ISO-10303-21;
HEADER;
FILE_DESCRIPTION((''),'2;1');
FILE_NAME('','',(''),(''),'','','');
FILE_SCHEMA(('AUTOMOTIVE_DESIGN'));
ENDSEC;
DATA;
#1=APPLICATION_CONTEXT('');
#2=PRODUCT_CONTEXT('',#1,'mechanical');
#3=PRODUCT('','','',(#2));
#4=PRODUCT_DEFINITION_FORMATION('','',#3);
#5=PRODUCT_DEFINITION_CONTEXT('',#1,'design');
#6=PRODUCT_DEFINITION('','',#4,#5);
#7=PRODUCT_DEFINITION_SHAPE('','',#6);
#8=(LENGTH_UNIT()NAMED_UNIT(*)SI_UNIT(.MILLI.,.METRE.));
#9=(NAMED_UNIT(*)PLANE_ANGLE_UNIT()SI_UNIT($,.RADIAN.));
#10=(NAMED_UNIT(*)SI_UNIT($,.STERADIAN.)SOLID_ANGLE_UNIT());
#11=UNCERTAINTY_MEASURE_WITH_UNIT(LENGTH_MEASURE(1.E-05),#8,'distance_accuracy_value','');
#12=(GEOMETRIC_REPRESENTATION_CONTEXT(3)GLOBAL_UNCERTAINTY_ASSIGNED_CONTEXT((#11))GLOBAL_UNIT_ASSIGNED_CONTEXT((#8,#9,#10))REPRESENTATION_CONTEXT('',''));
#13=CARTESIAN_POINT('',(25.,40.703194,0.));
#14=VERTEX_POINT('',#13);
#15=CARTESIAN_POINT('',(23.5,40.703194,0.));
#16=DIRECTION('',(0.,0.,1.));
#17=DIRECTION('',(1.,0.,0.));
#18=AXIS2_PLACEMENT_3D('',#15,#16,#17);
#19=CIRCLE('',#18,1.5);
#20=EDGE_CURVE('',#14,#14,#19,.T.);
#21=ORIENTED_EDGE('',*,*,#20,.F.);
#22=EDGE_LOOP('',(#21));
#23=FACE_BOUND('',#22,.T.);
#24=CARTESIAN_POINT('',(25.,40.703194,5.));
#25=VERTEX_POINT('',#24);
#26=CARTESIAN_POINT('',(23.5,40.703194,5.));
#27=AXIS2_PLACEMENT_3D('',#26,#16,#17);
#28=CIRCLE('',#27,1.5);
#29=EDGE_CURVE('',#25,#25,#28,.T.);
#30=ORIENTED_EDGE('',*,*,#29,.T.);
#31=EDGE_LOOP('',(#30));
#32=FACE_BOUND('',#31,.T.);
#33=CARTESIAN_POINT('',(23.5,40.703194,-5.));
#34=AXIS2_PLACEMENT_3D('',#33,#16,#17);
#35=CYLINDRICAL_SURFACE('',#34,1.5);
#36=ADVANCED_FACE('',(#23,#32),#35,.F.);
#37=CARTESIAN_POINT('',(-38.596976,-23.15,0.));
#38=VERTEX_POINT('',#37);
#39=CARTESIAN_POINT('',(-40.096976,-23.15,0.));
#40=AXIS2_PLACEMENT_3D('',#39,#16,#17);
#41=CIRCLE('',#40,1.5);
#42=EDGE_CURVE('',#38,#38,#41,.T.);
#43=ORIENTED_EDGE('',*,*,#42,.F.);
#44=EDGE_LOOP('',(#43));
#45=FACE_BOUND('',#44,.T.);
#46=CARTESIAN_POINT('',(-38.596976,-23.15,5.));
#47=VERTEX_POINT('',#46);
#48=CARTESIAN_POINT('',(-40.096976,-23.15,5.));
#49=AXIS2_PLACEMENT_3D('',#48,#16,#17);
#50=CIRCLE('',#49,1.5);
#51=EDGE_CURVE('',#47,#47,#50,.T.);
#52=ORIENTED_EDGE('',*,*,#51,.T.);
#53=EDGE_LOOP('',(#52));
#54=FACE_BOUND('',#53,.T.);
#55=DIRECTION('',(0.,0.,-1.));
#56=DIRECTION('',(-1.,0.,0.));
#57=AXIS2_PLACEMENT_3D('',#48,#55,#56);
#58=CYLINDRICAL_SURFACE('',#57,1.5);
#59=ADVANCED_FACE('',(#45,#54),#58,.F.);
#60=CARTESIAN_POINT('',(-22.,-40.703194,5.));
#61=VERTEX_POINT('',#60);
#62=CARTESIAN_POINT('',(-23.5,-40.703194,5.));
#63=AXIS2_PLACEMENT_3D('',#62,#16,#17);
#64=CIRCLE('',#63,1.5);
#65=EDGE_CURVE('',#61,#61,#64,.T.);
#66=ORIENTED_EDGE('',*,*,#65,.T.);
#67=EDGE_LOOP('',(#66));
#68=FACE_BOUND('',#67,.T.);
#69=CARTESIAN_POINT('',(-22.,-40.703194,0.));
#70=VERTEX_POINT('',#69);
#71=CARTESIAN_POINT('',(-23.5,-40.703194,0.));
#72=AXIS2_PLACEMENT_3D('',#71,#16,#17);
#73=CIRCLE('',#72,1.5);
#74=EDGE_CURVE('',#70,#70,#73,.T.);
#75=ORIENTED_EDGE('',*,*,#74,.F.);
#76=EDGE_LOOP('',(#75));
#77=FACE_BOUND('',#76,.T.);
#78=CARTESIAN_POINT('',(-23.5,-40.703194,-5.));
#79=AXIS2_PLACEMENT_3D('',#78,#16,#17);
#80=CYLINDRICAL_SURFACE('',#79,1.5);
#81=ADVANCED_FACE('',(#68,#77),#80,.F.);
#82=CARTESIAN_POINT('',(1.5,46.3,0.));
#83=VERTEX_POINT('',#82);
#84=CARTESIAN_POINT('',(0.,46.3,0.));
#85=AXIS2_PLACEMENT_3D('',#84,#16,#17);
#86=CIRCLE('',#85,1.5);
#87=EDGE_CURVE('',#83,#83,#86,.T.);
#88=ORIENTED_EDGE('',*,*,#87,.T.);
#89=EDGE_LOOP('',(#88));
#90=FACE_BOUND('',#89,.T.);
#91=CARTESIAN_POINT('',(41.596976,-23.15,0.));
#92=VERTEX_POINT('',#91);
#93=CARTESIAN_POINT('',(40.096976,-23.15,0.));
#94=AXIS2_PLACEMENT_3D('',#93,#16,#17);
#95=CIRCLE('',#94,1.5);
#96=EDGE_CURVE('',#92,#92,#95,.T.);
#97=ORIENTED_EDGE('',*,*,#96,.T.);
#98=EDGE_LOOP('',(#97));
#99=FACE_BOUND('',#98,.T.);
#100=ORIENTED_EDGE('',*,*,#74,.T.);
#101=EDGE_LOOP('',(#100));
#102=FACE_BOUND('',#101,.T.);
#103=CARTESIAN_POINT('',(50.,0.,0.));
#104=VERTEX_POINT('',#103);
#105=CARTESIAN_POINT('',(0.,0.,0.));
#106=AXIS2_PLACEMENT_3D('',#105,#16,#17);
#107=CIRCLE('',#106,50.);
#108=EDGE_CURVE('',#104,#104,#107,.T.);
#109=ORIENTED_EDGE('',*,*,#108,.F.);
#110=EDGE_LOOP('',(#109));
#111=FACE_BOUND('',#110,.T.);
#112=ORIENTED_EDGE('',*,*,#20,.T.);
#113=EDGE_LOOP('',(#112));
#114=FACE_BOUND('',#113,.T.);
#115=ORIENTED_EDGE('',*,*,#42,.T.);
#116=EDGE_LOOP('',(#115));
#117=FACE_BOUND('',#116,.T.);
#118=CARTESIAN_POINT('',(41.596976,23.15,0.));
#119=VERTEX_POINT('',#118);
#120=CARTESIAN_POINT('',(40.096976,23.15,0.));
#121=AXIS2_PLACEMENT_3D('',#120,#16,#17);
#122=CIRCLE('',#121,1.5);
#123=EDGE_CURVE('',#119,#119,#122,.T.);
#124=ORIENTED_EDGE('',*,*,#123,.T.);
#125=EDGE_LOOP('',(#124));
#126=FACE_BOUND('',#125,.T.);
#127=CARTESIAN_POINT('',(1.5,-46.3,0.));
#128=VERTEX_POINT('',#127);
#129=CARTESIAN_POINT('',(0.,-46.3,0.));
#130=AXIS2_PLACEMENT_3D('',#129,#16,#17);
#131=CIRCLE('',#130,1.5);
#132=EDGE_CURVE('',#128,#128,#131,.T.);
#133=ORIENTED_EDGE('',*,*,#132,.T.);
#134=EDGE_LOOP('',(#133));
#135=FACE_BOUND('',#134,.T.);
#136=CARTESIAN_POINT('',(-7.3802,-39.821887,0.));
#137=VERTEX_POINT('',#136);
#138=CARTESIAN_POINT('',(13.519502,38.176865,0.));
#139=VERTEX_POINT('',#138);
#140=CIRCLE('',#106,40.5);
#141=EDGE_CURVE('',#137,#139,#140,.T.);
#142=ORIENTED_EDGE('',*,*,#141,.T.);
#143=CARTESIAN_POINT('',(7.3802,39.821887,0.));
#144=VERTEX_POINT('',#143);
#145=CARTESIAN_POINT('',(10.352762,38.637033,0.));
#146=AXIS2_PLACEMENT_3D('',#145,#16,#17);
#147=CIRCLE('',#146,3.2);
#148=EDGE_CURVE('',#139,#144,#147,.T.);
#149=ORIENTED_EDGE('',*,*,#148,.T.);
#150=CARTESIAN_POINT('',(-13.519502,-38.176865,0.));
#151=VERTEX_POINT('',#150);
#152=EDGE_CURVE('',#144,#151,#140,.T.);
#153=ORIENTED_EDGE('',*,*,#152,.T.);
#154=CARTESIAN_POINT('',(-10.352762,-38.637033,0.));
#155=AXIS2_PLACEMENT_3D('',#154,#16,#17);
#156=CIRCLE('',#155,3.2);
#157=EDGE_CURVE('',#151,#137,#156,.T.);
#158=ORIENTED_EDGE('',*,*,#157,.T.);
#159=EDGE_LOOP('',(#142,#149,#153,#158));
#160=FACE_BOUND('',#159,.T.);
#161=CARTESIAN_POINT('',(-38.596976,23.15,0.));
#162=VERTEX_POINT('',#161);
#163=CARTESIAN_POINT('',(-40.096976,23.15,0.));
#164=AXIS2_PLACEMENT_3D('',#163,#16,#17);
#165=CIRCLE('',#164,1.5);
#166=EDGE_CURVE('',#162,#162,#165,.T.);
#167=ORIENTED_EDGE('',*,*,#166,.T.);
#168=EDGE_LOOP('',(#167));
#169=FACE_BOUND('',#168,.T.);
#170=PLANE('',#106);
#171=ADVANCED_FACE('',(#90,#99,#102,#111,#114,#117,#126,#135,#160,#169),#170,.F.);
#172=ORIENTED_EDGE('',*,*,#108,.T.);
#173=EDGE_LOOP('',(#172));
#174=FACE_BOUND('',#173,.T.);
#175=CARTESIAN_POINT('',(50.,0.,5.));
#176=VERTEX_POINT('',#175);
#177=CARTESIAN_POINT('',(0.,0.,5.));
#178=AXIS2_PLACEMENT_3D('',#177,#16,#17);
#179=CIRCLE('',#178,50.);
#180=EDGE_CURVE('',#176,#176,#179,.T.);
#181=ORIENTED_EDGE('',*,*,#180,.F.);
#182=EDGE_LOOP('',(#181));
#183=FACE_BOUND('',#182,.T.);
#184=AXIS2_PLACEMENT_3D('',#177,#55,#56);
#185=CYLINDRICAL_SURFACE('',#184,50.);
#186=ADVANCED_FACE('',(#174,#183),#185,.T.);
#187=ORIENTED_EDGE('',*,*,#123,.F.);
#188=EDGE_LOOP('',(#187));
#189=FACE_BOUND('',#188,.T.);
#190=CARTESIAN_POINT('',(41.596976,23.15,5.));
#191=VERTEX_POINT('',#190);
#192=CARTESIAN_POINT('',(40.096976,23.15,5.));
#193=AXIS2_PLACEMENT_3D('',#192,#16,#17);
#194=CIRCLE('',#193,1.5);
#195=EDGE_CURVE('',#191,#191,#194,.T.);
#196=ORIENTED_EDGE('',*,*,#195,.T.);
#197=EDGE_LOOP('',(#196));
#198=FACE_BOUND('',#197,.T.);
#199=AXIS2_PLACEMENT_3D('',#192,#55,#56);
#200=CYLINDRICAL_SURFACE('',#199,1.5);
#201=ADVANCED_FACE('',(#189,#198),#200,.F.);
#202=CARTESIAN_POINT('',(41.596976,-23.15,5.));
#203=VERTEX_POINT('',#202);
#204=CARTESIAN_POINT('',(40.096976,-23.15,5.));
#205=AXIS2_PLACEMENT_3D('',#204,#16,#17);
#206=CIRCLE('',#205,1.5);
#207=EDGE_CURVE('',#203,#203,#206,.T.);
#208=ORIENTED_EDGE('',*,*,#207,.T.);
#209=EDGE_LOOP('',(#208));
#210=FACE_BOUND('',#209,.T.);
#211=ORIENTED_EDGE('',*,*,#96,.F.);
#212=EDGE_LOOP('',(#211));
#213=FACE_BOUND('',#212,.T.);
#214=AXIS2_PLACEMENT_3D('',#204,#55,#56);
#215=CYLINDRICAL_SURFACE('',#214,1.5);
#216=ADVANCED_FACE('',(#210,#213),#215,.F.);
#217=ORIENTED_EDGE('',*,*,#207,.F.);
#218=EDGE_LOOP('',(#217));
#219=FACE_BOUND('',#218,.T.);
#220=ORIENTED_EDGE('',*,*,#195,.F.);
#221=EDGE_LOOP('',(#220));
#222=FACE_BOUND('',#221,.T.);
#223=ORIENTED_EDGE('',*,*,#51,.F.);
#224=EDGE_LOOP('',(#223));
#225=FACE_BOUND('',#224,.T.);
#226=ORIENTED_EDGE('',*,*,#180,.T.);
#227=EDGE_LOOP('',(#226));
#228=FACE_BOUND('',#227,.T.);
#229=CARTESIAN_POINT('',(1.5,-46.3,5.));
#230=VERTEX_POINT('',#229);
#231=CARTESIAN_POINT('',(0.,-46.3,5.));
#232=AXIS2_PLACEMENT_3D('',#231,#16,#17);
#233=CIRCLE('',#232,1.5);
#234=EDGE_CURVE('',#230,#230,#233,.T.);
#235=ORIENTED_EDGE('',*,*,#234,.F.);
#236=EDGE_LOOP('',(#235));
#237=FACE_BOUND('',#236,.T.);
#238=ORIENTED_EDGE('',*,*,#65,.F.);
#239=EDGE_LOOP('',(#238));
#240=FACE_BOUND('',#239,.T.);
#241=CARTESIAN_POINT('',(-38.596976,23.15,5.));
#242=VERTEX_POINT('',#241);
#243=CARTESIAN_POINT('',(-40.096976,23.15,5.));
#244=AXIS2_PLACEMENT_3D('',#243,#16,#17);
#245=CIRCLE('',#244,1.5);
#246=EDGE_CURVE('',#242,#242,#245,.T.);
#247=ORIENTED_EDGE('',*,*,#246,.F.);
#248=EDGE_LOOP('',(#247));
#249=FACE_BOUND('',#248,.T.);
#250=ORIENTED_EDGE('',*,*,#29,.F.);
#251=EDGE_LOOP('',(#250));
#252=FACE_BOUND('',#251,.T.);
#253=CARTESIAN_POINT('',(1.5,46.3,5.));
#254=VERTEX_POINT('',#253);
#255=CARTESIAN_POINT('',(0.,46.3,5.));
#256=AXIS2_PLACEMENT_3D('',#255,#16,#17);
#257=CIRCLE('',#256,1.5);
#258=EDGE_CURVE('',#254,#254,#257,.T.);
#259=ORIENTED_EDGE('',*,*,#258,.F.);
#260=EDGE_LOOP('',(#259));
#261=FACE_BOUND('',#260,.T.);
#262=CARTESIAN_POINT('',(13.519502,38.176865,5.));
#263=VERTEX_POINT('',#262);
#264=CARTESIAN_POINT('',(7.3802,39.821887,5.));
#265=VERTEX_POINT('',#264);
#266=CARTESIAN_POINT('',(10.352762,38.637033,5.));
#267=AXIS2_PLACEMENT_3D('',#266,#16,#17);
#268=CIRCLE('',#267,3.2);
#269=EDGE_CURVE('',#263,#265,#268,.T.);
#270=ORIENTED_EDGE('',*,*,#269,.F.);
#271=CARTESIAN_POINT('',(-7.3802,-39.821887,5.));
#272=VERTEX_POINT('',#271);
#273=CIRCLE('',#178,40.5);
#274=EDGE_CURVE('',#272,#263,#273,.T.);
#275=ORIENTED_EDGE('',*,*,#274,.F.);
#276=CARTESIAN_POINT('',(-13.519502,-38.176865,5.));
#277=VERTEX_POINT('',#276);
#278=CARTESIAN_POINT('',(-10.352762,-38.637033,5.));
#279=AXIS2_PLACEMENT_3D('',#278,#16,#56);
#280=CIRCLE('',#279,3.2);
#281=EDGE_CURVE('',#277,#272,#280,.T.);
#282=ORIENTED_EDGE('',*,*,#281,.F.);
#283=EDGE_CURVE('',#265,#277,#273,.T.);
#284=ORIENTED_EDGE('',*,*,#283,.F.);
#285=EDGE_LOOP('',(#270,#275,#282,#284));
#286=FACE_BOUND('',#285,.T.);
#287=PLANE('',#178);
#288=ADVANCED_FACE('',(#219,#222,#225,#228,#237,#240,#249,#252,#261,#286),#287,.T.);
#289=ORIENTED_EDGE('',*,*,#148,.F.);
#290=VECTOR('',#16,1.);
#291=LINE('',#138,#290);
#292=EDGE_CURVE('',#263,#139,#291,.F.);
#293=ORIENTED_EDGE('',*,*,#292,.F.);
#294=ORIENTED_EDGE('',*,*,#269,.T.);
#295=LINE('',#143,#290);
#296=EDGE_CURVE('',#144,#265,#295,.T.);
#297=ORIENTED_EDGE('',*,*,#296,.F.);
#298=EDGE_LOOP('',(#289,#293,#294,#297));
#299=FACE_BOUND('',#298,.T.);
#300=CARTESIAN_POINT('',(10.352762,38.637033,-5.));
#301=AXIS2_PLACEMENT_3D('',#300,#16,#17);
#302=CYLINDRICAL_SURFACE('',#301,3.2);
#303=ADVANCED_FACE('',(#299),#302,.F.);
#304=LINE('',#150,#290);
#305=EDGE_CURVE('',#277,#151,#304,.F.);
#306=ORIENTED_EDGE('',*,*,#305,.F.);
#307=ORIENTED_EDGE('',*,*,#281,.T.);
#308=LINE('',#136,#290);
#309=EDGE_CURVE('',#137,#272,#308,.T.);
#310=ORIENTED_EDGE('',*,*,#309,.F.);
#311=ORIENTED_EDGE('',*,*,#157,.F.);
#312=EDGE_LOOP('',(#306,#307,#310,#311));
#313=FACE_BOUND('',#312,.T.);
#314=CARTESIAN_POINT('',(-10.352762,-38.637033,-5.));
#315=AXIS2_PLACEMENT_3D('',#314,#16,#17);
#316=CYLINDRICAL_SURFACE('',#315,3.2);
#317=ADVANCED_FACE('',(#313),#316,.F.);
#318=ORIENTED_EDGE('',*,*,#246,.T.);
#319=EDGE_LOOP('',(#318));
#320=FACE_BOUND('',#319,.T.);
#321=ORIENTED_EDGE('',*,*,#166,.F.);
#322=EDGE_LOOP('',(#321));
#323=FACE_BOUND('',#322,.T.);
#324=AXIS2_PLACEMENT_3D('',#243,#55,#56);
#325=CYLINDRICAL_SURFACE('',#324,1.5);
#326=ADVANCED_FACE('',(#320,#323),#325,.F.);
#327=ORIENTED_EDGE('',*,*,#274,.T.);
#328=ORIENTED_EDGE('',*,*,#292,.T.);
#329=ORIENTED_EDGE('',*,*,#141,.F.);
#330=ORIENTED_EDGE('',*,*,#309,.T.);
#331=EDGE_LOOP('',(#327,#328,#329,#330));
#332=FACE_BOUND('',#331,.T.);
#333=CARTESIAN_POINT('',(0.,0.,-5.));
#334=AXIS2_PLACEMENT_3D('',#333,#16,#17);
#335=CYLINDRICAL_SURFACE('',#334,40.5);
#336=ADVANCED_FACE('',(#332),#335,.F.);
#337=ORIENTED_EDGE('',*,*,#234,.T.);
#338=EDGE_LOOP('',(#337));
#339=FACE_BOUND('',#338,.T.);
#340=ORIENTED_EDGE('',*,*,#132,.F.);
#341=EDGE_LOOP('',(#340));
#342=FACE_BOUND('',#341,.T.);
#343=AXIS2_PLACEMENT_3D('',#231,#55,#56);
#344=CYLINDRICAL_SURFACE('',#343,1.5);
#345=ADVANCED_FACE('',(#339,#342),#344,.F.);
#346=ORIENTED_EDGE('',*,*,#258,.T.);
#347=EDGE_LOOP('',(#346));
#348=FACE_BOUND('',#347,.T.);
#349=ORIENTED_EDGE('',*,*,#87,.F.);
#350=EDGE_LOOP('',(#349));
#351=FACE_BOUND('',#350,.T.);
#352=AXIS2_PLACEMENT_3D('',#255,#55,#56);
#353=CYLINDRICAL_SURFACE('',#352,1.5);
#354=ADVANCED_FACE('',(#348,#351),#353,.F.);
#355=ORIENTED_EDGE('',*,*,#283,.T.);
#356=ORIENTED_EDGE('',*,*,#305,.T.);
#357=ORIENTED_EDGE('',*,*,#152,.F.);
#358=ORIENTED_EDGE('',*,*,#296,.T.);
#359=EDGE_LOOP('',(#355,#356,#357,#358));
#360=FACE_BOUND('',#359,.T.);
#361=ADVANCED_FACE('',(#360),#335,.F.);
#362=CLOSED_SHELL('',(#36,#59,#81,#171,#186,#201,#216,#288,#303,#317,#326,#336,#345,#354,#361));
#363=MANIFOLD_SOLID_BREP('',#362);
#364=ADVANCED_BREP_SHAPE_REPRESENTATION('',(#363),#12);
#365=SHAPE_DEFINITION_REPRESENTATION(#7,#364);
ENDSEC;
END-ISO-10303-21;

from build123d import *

# Parameters (mm, degrees)
ESQUISSE1_R        = 50
ESQUISSE1_R_2      = 1.5
BOSS_EXTRU_1_DEPTH = 5
SKETCH4_R          = 1.5
CUT_EXTRUDE4_DEPTH = 10
SKETCH5_R          = 40.5
CUT_EXTRUDE5_DEPTH = 10
SKETCH6_R          = 3.2
CUT_EXTRUDE6_DEPTH = 10


with BuildPart() as part:
    # Esquisse1 → Boss.-Extru.1 (new body)
    with BuildSketch(Plane.XY):
        Circle(ESQUISSE1_R)
        with Locations((-40.096976195, -23.15)):
            Circle(ESQUISSE1_R_2, mode=Mode.SUBTRACT)
        with Locations((-40.096976195, 23.15)):
            Circle(ESQUISSE1_R_2, mode=Mode.SUBTRACT)
        with Locations((0, 46.3)):
            Circle(ESQUISSE1_R_2, mode=Mode.SUBTRACT)
        with Locations((40.096976195, 23.15)):
            Circle(ESQUISSE1_R_2, mode=Mode.SUBTRACT)
        with Locations((40.096976195, -23.15)):
            Circle(ESQUISSE1_R_2, mode=Mode.SUBTRACT)
        with Locations((0, -46.3)):
            Circle(ESQUISSE1_R_2, mode=Mode.SUBTRACT)
    extrude(amount=BOSS_EXTRU_1_DEPTH)

    # Sketch4 → Cut-Extrude4 (cut)
    with BuildSketch(Plane.XY.offset(5)):
        with Locations((-23.5, -40.703193978)):
            Circle(SKETCH4_R)
        with Locations((23.5, 40.703193978)):
            Circle(SKETCH4_R)
    extrude(amount=-CUT_EXTRUDE4_DEPTH, mode=Mode.SUBTRACT)

    # Sketch5 → Cut-Extrude5 (cut)
    with BuildSketch(Plane.XY.offset(5)):
        Circle(SKETCH5_R)
    extrude(amount=-CUT_EXTRUDE5_DEPTH, mode=Mode.SUBTRACT)

    # Sketch6 → Cut-Extrude6 (cut)
    with BuildSketch(Plane.XY.offset(5)):
        with Locations((10.352761804, 38.637033052)):
            Circle(SKETCH6_R)
        with Locations((-10.352761804, -38.637033052)):
            Circle(SKETCH6_R)
    extrude(amount=-CUT_EXTRUDE6_DEPTH, mode=Mode.SUBTRACT)


solid = part.part
